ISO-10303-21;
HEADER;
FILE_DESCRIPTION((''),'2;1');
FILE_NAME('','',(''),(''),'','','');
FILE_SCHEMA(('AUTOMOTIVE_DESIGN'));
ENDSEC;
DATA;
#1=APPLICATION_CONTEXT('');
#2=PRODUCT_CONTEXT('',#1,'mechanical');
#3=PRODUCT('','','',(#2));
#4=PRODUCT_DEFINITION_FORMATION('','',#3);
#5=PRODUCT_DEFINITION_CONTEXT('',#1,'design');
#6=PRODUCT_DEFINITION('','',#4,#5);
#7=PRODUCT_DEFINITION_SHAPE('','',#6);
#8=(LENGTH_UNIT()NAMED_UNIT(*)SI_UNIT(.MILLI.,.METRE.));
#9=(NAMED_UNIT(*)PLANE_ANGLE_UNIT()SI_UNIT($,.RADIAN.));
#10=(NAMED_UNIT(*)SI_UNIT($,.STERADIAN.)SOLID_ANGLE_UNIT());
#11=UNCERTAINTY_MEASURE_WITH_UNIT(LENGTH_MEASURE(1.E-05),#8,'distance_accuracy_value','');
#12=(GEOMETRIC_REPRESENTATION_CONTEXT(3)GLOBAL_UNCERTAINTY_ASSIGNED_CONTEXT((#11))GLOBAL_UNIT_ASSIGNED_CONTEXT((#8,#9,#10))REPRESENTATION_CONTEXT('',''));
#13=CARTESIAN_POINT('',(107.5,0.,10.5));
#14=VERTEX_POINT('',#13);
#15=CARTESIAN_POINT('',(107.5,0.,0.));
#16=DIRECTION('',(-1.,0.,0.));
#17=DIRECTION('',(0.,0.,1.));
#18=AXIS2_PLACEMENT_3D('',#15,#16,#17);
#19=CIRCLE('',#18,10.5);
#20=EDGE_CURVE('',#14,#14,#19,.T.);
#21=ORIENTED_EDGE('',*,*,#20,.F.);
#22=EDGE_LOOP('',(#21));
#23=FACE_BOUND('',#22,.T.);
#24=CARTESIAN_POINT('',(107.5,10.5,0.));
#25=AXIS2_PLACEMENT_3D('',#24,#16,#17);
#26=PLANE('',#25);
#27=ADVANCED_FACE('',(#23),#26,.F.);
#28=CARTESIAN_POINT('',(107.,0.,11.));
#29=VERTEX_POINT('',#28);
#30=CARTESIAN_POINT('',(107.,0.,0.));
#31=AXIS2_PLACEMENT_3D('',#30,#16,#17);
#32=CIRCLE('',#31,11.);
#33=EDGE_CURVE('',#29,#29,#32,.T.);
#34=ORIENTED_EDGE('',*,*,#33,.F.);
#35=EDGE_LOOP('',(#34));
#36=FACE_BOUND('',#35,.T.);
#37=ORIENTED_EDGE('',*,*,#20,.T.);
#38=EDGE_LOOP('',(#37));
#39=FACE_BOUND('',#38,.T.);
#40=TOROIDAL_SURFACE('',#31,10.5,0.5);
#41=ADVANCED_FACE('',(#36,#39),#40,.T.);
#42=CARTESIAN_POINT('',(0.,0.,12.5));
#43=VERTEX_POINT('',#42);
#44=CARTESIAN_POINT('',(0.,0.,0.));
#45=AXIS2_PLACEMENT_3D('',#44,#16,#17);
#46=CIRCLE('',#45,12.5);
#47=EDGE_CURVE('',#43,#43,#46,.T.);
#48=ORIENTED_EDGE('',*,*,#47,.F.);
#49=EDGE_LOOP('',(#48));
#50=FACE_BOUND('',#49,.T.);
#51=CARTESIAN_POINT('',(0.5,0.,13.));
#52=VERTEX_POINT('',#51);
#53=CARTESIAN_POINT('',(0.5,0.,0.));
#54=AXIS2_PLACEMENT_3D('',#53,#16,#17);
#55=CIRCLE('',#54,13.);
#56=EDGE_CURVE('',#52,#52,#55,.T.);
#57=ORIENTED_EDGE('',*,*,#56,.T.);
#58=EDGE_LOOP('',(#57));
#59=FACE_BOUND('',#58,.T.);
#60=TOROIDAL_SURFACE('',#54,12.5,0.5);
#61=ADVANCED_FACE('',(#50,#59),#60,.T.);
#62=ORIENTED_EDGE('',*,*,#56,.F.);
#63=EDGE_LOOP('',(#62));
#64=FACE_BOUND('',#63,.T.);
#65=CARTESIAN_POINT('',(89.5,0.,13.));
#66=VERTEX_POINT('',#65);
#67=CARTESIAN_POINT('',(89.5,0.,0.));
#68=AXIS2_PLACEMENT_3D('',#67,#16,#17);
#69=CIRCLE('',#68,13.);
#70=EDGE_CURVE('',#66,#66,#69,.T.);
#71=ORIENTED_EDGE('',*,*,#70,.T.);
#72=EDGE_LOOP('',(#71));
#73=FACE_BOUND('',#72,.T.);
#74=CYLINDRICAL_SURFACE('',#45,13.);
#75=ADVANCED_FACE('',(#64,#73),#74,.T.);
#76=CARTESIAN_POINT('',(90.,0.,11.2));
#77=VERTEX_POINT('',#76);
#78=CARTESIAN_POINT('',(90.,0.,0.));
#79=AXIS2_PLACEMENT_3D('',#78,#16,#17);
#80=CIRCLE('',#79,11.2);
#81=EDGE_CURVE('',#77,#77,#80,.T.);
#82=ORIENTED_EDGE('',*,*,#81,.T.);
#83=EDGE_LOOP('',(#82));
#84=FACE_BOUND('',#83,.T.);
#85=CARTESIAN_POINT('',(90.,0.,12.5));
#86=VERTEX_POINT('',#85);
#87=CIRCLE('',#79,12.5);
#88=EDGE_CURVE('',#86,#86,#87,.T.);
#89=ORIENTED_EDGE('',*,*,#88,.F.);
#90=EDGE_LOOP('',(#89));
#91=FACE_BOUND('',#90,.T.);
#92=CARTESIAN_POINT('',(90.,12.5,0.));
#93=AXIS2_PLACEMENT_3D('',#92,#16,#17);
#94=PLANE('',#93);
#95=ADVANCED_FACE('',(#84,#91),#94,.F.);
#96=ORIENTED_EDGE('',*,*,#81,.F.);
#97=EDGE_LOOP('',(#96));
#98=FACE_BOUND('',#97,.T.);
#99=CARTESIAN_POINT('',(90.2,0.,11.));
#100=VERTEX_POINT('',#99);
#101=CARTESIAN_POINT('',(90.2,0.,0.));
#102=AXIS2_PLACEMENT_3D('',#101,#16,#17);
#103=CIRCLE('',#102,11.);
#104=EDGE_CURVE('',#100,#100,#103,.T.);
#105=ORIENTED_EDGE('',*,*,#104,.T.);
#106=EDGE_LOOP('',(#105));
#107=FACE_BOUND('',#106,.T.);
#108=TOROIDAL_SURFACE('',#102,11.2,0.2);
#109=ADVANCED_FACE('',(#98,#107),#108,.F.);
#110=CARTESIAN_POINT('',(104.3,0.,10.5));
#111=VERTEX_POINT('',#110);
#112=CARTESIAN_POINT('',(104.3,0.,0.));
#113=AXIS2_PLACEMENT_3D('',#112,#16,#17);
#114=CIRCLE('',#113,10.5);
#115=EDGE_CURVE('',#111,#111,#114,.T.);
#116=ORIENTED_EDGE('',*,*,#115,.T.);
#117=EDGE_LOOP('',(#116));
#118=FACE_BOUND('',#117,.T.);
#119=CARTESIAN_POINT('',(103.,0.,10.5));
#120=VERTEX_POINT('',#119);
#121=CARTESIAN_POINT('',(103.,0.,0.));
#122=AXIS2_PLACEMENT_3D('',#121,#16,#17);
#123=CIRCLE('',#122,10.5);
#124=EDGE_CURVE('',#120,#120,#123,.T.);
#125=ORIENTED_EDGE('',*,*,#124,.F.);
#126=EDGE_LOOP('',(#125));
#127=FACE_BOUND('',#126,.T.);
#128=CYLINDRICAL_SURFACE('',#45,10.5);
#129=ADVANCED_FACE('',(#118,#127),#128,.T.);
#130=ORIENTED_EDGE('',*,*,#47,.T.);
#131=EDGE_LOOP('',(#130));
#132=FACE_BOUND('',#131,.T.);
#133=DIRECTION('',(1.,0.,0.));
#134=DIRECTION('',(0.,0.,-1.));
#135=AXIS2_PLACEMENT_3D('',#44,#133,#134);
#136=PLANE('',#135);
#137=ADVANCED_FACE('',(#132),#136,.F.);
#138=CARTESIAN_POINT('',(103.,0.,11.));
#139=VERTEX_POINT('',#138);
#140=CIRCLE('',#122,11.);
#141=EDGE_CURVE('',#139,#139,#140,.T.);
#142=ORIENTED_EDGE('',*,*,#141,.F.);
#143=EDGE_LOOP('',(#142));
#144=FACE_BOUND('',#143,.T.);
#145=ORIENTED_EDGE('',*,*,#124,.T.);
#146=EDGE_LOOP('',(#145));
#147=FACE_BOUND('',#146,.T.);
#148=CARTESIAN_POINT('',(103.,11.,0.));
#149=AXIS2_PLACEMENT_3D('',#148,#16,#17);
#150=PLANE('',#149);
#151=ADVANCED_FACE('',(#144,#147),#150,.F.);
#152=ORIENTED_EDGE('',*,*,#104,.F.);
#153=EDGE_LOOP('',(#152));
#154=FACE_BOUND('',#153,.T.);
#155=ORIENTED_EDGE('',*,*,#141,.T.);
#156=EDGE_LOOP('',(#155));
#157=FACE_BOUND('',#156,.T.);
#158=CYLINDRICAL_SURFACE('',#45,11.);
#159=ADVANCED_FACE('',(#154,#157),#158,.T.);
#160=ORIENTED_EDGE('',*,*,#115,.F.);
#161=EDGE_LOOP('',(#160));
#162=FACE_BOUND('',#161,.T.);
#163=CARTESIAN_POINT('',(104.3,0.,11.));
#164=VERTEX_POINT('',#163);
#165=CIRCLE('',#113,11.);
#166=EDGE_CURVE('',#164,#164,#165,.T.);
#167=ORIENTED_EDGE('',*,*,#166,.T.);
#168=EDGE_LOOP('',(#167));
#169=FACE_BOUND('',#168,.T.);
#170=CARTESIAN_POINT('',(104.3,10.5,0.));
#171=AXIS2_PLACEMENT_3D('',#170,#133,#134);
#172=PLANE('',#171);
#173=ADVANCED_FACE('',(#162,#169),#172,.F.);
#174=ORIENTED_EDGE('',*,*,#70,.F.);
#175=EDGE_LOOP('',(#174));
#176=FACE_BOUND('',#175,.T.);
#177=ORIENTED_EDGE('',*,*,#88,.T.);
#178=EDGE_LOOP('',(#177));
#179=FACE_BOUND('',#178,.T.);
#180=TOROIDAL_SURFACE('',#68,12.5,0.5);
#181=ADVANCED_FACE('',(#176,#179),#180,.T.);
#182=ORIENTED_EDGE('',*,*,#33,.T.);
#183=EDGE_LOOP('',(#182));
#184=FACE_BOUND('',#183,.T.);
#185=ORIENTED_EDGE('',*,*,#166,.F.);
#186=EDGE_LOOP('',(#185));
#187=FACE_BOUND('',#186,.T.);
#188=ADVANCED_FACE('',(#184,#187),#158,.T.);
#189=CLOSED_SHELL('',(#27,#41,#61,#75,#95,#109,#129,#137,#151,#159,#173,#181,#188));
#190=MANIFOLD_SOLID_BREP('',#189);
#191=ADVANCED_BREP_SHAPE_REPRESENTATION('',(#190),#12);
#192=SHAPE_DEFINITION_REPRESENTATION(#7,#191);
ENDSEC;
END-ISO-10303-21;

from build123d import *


with BuildPart() as part:
    # Sketch1 → Revolve1 (revolve)
    with BuildSketch(Plane.XY):
        with BuildLine():
            Line((0, 0), (0, 12.5))
            ThreePointArc((0, 12.5), (0.146446609, 12.853553391), (0.5, 13))
            Line((0.5, 13), (89.5, 13))
            ThreePointArc((89.5, 13), (89.853553391, 12.853553391), (90, 12.5))
            Line((90, 12.5), (90, 11.2))
            ThreePointArc((90, 11.2), (90.058578644, 11.058578644), (90.2, 11))
            Line((90.2, 11), (103, 11))
            Line((103, 11), (103, 10.5))
            Line((103, 10.5), (104.3, 10.5))
            Line((104.3, 10.5), (104.3, 11))
            Line((104.3, 11), (107, 11))
            ThreePointArc((107, 11), (107.353553391, 10.853553391), (107.5, 10.5))
            Line((107.5, 10.5), (107.5, 0))
            Line((107.5, 0), (0, 0))
        make_face()
    revolve(axis=Axis((0, 0, 0), (1, 0, 0)))


solid = part.part
